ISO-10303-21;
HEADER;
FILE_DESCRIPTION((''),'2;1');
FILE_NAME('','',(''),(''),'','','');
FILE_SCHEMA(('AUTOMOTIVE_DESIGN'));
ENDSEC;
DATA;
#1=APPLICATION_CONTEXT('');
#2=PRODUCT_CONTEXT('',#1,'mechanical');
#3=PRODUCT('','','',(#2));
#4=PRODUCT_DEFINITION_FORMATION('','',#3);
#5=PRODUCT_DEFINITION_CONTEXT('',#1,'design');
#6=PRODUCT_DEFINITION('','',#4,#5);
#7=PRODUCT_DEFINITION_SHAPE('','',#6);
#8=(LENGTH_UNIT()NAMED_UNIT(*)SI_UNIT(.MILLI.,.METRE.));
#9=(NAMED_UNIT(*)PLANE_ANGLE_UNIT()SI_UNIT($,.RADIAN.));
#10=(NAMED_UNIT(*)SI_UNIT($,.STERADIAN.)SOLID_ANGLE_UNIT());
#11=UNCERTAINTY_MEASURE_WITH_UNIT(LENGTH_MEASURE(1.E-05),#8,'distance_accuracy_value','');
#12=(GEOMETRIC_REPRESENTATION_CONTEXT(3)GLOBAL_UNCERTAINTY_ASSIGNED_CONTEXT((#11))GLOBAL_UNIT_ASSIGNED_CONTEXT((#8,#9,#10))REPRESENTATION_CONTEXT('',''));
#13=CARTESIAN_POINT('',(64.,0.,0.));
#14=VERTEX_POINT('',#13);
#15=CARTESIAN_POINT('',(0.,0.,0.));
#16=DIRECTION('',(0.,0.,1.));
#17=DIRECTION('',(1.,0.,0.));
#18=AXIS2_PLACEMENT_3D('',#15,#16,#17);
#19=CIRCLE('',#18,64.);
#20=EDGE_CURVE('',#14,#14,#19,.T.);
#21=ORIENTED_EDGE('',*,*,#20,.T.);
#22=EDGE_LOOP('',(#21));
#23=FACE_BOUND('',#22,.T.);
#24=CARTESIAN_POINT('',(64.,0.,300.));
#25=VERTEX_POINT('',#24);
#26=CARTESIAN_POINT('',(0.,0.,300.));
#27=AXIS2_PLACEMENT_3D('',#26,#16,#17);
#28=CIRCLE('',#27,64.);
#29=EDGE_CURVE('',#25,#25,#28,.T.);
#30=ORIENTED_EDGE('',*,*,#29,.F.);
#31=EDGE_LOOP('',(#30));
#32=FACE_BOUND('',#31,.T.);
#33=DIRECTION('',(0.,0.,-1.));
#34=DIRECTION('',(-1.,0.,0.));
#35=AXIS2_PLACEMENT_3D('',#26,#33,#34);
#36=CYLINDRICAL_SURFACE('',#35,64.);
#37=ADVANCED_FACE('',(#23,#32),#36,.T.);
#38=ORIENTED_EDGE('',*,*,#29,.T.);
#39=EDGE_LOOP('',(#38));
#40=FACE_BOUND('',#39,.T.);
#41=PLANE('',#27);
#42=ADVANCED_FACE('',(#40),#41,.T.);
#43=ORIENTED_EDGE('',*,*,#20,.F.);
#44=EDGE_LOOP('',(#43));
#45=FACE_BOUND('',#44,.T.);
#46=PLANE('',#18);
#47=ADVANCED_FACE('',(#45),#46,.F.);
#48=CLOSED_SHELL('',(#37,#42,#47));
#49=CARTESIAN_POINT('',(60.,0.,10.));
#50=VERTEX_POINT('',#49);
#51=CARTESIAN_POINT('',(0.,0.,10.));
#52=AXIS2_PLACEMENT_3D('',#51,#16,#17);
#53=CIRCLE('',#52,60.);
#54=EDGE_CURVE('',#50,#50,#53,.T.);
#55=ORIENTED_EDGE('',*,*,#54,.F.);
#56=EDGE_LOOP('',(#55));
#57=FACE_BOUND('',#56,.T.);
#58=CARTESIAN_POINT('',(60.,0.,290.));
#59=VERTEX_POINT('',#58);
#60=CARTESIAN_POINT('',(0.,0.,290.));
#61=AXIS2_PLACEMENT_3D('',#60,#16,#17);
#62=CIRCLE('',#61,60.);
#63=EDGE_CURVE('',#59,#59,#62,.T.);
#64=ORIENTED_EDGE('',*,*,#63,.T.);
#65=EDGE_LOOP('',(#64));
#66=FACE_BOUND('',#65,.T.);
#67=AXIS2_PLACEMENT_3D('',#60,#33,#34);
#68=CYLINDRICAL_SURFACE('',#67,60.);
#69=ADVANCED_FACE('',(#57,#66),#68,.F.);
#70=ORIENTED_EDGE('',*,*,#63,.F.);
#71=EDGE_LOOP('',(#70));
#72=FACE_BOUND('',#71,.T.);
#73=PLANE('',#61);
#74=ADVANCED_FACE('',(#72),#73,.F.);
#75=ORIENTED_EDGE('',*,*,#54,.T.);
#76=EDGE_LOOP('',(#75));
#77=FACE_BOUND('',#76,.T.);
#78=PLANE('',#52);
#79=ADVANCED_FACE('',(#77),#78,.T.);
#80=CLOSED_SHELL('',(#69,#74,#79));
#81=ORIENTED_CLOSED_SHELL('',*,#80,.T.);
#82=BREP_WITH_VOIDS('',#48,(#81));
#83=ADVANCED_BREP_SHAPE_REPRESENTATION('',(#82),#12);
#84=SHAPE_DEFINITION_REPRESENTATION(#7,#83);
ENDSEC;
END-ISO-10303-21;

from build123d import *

# Parameters (mm, degrees)
SKETCH2_R           = 64
BOSS_EXTRUDE1_DEPTH = 300
CUT_EXTRUDE1_START  = 10
SKETCH3_R           = 60
CUT_EXTRUDE1_DEPTH  = 280


with BuildPart() as part:
    # Sketch2 → Boss-Extrude1 (new body)
    with BuildSketch(Plane.XY):
        Circle(SKETCH2_R)
    extrude(amount=BOSS_EXTRUDE1_DEPTH)

    # Sketch3 → Cut-Extrude1 (cut)
    with BuildSketch(Plane.XY.offset(CUT_EXTRUDE1_START)):
        Circle(SKETCH3_R)
    extrude(amount=CUT_EXTRUDE1_DEPTH, mode=Mode.SUBTRACT)


solid = part.part
